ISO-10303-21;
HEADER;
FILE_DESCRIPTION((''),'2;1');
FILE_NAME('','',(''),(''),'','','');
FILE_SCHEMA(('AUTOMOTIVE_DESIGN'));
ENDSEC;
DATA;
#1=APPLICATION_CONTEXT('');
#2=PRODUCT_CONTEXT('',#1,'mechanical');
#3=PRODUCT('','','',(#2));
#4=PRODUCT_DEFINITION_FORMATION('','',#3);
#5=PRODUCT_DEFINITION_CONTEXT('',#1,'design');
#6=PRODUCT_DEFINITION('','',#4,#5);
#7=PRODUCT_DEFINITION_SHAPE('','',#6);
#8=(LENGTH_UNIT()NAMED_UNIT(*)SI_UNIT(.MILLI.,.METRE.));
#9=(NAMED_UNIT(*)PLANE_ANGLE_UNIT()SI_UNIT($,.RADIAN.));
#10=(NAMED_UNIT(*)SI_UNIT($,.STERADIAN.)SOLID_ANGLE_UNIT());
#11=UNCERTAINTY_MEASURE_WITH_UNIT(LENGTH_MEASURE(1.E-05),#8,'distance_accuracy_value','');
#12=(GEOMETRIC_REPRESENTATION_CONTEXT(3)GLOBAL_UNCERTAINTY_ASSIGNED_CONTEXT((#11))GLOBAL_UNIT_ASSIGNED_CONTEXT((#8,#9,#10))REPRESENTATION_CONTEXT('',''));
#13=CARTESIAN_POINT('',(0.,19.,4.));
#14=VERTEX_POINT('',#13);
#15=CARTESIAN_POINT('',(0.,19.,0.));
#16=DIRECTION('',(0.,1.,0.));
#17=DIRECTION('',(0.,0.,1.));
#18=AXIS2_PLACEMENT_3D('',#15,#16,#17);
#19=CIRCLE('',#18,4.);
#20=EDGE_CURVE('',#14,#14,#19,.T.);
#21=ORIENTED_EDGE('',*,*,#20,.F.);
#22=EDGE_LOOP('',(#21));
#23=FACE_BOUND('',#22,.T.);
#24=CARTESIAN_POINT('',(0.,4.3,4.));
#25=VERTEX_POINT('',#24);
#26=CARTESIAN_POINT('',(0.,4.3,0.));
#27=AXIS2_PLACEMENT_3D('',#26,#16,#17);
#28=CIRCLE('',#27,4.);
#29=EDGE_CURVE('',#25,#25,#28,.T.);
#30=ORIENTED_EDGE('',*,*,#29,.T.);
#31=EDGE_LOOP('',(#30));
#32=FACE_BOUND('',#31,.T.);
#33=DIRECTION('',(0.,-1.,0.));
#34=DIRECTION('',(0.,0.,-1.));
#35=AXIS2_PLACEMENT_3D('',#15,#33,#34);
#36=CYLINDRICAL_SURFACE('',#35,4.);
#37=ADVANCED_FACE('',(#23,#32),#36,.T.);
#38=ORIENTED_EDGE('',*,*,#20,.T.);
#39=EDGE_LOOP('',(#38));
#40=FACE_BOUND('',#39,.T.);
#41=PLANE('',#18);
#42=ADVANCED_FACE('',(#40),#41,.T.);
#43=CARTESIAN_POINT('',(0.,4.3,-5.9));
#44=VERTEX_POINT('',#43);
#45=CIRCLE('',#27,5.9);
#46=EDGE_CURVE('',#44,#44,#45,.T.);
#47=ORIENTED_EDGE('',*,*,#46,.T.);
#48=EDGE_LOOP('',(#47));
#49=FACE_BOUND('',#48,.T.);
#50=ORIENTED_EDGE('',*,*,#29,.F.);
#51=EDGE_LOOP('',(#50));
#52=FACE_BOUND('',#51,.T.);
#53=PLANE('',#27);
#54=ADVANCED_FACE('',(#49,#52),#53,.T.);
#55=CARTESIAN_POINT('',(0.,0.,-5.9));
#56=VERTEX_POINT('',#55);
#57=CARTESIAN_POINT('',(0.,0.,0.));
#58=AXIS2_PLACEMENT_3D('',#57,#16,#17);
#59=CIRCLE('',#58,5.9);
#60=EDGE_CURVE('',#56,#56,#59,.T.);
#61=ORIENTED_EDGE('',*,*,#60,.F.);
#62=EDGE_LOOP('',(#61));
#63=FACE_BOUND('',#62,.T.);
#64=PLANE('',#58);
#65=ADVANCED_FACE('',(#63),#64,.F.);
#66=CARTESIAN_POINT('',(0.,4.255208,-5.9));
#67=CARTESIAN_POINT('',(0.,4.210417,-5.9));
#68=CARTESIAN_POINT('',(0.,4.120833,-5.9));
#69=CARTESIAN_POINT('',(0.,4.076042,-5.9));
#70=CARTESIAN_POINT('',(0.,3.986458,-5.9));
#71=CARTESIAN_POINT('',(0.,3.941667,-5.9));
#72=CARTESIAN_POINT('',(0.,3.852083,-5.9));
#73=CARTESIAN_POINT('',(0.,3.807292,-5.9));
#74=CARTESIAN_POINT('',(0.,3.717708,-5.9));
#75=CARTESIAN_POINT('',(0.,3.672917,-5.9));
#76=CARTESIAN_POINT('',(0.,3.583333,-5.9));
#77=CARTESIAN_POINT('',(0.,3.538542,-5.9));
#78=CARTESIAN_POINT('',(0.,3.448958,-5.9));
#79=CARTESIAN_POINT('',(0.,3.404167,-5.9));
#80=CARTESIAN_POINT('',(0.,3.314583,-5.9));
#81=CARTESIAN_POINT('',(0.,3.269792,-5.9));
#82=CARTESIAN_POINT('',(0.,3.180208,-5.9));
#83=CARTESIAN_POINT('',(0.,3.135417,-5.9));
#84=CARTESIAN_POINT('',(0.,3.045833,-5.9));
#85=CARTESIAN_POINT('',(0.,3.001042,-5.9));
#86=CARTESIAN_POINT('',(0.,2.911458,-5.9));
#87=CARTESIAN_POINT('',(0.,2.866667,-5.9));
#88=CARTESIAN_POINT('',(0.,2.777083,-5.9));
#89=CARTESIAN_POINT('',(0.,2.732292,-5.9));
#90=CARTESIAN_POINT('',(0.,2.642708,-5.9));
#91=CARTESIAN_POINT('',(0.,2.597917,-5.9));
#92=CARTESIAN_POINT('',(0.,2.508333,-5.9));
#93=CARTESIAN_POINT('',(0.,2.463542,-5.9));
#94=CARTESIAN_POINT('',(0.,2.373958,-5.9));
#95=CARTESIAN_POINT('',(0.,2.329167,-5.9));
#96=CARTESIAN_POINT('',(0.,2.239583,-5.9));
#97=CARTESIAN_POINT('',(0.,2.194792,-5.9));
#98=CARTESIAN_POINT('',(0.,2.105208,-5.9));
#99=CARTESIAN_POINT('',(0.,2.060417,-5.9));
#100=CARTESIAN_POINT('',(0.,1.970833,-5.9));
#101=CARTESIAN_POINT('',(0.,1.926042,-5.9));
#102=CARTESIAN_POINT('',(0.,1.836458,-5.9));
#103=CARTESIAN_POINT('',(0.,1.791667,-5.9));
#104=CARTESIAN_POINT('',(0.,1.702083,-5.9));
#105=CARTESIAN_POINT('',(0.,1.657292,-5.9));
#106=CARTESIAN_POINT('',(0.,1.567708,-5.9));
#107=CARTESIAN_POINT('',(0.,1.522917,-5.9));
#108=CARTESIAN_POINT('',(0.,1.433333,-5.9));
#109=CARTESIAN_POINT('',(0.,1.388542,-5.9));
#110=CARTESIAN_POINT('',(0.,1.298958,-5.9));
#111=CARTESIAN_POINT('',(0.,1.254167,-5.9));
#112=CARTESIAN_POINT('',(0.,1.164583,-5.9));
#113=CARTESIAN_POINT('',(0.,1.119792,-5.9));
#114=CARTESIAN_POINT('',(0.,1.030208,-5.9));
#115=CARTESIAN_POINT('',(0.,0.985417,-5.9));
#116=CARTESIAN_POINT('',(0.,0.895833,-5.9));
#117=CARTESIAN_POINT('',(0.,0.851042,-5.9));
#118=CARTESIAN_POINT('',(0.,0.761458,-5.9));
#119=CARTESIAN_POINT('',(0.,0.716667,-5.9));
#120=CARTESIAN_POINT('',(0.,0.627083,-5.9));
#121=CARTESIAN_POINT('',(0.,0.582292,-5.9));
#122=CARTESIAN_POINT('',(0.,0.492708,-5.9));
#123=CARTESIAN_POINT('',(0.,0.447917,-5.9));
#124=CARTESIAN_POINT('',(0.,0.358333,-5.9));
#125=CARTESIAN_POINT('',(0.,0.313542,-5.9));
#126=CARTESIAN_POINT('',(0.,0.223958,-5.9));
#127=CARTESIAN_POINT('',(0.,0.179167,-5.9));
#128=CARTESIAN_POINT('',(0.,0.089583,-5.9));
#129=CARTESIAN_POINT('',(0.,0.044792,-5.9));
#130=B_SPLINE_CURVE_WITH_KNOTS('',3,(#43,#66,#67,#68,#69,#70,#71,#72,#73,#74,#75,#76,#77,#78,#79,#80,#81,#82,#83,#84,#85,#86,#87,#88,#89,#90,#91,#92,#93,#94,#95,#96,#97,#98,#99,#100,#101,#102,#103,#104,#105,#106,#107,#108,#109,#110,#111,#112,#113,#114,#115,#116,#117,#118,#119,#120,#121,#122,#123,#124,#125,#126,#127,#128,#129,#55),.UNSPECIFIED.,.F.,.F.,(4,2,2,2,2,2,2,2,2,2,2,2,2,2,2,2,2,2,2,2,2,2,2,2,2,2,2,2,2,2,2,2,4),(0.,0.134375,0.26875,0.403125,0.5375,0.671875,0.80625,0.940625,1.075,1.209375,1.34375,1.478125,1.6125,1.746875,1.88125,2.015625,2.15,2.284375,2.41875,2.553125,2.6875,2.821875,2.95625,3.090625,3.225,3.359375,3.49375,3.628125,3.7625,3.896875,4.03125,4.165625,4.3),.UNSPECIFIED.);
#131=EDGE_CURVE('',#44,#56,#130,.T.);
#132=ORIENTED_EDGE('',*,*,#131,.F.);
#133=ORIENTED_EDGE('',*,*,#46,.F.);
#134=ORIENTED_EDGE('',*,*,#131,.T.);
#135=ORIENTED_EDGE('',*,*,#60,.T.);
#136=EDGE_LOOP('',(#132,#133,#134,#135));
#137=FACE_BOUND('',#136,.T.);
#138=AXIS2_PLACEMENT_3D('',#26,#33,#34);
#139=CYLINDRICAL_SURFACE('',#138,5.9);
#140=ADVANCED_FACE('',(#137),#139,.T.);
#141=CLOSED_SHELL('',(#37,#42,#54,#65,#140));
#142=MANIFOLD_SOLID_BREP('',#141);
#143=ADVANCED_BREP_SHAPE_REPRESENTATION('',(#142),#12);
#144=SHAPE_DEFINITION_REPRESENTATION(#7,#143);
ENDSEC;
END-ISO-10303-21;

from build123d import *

# Parameters (mm, degrees)
SKETCH_1_R      = 5.9
EXTRUDE_1_DEPTH = 4.3
SKETCH_2_R      = 4
EXTRUDE_2_DEPTH = 14.7


with BuildPart() as part:
    # 草图1 → 凸台-拉伸1 (new body)
    with BuildSketch(Plane(origin=(0, 0, 0), x_dir=(1, 0, 0), z_dir=(0, 1, 0))):
        with Locations(Location((0, 0, 0), (0, 0, 90))):
            Circle(SKETCH_1_R)
    extrude(amount=EXTRUDE_1_DEPTH)

    # 草图2 → 凸台-拉伸2 (add)
    with BuildSketch(Plane(origin=(0, 4.3, 0), x_dir=(1, 0, 0), z_dir=(0, 1, 0))):
        with Locations(Location((0, 0, 0), (0, 0, 270))):
            Circle(SKETCH_2_R)
    extrude(amount=EXTRUDE_2_DEPTH)


solid = part.part
